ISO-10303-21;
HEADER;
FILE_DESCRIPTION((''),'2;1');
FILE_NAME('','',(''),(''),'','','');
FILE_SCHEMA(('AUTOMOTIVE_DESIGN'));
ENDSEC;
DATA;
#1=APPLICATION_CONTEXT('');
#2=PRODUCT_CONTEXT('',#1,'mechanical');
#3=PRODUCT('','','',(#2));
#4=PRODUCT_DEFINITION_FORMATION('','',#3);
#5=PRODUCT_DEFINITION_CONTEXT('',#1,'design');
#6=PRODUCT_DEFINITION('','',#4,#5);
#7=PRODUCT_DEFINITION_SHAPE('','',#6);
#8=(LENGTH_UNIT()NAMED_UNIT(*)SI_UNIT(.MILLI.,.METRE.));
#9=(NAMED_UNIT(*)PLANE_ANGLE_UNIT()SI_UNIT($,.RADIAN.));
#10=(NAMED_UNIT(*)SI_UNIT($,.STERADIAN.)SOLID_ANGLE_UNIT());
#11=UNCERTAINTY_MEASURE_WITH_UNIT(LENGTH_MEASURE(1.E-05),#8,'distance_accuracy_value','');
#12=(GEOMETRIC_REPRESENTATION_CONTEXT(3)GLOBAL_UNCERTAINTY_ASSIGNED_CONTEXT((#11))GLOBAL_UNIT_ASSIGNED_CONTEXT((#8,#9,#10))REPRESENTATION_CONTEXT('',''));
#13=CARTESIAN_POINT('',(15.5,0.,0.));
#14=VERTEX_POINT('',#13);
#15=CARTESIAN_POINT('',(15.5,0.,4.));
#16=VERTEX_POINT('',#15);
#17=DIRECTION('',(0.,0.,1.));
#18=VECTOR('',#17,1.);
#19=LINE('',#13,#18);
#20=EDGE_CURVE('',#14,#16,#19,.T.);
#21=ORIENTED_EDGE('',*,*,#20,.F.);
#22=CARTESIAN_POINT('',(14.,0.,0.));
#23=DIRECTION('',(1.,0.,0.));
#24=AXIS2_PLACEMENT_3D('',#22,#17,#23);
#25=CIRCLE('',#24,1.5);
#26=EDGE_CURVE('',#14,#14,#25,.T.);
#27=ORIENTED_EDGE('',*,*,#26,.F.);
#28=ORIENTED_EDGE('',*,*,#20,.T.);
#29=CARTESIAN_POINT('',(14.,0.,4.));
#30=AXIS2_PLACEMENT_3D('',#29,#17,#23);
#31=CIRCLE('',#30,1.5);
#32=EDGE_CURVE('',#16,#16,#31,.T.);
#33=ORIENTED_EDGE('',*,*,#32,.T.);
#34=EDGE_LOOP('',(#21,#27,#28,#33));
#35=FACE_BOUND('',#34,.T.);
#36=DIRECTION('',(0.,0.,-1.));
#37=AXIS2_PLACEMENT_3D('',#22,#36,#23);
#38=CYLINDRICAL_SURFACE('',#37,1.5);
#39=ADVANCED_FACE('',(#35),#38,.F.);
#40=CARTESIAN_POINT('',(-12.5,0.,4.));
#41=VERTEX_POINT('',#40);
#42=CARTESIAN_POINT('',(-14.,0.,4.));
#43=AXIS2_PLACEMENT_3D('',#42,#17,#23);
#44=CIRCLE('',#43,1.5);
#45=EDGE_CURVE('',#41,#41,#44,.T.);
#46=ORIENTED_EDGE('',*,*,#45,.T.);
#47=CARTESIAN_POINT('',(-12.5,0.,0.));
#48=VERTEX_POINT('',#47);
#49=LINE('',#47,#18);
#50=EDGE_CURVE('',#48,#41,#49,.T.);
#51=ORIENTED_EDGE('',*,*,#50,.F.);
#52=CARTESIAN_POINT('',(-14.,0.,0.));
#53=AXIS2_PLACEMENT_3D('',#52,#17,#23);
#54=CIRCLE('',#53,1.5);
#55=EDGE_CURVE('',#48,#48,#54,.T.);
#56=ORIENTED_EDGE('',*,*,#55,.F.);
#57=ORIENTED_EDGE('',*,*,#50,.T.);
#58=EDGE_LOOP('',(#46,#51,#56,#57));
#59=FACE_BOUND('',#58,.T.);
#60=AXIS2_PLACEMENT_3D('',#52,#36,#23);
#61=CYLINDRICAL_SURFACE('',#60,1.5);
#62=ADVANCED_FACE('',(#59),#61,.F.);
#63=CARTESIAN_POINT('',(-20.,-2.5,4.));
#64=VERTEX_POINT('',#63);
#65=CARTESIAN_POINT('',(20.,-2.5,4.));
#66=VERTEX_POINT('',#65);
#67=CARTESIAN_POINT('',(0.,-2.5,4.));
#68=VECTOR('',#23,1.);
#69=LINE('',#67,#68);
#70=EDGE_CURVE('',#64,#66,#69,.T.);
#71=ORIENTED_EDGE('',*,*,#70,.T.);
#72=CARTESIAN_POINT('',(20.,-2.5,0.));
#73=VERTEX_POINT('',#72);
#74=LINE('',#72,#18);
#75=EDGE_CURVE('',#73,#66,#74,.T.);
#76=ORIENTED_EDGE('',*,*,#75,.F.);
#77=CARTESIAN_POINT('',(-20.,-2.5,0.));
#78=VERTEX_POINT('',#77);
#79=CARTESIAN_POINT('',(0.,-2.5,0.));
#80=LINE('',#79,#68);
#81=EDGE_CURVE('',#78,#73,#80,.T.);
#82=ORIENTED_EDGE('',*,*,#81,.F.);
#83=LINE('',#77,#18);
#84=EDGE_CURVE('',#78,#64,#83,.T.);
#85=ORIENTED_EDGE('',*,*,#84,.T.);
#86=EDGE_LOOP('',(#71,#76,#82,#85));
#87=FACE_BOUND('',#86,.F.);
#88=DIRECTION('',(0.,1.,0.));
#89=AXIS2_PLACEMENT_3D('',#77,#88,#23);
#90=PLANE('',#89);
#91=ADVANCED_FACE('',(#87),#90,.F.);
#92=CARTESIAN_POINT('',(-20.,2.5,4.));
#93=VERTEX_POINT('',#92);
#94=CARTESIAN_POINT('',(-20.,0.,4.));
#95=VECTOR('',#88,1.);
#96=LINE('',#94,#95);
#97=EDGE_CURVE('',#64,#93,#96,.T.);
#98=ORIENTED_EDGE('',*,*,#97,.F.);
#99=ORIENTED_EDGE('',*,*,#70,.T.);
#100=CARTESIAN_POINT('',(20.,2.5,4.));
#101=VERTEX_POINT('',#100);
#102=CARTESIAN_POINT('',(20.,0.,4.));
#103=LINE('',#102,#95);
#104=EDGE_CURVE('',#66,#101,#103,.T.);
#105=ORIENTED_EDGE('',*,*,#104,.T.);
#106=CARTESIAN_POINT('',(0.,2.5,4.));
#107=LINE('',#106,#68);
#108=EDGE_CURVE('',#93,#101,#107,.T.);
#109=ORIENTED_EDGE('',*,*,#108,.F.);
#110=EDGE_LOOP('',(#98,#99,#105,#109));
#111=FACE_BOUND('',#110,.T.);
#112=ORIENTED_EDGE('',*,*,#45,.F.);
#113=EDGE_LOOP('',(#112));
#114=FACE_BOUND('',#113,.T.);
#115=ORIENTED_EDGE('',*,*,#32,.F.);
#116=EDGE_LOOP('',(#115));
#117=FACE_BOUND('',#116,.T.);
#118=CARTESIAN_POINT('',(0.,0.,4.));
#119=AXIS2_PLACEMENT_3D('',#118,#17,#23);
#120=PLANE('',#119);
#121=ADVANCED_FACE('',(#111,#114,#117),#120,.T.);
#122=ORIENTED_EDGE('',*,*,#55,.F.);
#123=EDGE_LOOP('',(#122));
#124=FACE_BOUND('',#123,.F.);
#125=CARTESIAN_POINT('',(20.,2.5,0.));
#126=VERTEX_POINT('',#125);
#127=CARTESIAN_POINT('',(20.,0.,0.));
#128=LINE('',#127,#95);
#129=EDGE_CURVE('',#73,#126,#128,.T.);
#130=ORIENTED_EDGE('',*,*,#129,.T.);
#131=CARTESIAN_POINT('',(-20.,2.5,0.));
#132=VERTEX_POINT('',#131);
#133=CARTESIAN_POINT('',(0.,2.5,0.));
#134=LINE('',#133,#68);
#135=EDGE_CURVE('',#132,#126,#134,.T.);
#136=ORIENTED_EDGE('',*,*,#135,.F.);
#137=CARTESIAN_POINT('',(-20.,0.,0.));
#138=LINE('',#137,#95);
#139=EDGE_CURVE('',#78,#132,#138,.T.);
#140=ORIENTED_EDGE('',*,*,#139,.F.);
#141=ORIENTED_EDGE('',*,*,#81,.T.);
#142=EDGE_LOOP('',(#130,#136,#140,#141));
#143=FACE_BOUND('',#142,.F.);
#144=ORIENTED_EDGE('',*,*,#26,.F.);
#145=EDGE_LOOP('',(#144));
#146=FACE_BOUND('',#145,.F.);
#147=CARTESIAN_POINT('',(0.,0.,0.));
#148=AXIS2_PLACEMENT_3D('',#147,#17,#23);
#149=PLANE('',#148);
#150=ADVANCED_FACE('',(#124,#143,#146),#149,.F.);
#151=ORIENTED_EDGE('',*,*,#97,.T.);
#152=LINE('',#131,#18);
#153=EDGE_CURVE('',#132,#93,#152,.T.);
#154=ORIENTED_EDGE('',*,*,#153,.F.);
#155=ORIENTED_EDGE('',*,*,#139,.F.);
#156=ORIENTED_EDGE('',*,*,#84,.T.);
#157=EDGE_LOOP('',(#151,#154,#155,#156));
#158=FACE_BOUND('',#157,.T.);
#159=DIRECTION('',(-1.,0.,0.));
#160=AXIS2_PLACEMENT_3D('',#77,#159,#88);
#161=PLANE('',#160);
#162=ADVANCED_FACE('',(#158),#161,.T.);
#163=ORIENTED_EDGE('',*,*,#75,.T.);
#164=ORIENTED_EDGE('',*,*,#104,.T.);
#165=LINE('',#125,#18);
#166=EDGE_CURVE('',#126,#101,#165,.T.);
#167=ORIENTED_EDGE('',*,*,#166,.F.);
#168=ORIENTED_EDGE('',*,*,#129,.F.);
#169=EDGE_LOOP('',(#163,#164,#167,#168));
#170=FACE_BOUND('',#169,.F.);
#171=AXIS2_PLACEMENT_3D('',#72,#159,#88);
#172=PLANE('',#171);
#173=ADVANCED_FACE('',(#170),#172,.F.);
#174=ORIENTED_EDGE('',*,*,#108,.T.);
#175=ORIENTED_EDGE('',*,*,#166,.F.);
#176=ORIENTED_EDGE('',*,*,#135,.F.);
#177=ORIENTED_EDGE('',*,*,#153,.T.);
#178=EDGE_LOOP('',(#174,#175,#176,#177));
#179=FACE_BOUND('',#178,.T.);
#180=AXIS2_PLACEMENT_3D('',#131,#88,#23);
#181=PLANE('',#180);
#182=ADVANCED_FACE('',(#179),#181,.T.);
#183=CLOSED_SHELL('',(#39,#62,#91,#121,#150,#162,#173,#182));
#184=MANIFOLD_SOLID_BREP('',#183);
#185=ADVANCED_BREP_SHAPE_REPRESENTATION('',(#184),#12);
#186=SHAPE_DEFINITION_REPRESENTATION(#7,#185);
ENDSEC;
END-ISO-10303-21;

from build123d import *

# Parameters (mm, degrees)
SKETCH_W  = 40
SKETCH_H  = 5
SKETCH_R  = 1.5
PAD_DEPTH = 4


with BuildPart() as part:
    # Sketch → Pad (new body)
    with BuildSketch(Plane.XY):
        Rectangle(SKETCH_W, SKETCH_H)
        with Locations((-14, 0)):
            Circle(SKETCH_R, mode=Mode.SUBTRACT)
        with Locations((14, 0)):
            Circle(SKETCH_R, mode=Mode.SUBTRACT)
    extrude(amount=PAD_DEPTH)


solid = part.part
